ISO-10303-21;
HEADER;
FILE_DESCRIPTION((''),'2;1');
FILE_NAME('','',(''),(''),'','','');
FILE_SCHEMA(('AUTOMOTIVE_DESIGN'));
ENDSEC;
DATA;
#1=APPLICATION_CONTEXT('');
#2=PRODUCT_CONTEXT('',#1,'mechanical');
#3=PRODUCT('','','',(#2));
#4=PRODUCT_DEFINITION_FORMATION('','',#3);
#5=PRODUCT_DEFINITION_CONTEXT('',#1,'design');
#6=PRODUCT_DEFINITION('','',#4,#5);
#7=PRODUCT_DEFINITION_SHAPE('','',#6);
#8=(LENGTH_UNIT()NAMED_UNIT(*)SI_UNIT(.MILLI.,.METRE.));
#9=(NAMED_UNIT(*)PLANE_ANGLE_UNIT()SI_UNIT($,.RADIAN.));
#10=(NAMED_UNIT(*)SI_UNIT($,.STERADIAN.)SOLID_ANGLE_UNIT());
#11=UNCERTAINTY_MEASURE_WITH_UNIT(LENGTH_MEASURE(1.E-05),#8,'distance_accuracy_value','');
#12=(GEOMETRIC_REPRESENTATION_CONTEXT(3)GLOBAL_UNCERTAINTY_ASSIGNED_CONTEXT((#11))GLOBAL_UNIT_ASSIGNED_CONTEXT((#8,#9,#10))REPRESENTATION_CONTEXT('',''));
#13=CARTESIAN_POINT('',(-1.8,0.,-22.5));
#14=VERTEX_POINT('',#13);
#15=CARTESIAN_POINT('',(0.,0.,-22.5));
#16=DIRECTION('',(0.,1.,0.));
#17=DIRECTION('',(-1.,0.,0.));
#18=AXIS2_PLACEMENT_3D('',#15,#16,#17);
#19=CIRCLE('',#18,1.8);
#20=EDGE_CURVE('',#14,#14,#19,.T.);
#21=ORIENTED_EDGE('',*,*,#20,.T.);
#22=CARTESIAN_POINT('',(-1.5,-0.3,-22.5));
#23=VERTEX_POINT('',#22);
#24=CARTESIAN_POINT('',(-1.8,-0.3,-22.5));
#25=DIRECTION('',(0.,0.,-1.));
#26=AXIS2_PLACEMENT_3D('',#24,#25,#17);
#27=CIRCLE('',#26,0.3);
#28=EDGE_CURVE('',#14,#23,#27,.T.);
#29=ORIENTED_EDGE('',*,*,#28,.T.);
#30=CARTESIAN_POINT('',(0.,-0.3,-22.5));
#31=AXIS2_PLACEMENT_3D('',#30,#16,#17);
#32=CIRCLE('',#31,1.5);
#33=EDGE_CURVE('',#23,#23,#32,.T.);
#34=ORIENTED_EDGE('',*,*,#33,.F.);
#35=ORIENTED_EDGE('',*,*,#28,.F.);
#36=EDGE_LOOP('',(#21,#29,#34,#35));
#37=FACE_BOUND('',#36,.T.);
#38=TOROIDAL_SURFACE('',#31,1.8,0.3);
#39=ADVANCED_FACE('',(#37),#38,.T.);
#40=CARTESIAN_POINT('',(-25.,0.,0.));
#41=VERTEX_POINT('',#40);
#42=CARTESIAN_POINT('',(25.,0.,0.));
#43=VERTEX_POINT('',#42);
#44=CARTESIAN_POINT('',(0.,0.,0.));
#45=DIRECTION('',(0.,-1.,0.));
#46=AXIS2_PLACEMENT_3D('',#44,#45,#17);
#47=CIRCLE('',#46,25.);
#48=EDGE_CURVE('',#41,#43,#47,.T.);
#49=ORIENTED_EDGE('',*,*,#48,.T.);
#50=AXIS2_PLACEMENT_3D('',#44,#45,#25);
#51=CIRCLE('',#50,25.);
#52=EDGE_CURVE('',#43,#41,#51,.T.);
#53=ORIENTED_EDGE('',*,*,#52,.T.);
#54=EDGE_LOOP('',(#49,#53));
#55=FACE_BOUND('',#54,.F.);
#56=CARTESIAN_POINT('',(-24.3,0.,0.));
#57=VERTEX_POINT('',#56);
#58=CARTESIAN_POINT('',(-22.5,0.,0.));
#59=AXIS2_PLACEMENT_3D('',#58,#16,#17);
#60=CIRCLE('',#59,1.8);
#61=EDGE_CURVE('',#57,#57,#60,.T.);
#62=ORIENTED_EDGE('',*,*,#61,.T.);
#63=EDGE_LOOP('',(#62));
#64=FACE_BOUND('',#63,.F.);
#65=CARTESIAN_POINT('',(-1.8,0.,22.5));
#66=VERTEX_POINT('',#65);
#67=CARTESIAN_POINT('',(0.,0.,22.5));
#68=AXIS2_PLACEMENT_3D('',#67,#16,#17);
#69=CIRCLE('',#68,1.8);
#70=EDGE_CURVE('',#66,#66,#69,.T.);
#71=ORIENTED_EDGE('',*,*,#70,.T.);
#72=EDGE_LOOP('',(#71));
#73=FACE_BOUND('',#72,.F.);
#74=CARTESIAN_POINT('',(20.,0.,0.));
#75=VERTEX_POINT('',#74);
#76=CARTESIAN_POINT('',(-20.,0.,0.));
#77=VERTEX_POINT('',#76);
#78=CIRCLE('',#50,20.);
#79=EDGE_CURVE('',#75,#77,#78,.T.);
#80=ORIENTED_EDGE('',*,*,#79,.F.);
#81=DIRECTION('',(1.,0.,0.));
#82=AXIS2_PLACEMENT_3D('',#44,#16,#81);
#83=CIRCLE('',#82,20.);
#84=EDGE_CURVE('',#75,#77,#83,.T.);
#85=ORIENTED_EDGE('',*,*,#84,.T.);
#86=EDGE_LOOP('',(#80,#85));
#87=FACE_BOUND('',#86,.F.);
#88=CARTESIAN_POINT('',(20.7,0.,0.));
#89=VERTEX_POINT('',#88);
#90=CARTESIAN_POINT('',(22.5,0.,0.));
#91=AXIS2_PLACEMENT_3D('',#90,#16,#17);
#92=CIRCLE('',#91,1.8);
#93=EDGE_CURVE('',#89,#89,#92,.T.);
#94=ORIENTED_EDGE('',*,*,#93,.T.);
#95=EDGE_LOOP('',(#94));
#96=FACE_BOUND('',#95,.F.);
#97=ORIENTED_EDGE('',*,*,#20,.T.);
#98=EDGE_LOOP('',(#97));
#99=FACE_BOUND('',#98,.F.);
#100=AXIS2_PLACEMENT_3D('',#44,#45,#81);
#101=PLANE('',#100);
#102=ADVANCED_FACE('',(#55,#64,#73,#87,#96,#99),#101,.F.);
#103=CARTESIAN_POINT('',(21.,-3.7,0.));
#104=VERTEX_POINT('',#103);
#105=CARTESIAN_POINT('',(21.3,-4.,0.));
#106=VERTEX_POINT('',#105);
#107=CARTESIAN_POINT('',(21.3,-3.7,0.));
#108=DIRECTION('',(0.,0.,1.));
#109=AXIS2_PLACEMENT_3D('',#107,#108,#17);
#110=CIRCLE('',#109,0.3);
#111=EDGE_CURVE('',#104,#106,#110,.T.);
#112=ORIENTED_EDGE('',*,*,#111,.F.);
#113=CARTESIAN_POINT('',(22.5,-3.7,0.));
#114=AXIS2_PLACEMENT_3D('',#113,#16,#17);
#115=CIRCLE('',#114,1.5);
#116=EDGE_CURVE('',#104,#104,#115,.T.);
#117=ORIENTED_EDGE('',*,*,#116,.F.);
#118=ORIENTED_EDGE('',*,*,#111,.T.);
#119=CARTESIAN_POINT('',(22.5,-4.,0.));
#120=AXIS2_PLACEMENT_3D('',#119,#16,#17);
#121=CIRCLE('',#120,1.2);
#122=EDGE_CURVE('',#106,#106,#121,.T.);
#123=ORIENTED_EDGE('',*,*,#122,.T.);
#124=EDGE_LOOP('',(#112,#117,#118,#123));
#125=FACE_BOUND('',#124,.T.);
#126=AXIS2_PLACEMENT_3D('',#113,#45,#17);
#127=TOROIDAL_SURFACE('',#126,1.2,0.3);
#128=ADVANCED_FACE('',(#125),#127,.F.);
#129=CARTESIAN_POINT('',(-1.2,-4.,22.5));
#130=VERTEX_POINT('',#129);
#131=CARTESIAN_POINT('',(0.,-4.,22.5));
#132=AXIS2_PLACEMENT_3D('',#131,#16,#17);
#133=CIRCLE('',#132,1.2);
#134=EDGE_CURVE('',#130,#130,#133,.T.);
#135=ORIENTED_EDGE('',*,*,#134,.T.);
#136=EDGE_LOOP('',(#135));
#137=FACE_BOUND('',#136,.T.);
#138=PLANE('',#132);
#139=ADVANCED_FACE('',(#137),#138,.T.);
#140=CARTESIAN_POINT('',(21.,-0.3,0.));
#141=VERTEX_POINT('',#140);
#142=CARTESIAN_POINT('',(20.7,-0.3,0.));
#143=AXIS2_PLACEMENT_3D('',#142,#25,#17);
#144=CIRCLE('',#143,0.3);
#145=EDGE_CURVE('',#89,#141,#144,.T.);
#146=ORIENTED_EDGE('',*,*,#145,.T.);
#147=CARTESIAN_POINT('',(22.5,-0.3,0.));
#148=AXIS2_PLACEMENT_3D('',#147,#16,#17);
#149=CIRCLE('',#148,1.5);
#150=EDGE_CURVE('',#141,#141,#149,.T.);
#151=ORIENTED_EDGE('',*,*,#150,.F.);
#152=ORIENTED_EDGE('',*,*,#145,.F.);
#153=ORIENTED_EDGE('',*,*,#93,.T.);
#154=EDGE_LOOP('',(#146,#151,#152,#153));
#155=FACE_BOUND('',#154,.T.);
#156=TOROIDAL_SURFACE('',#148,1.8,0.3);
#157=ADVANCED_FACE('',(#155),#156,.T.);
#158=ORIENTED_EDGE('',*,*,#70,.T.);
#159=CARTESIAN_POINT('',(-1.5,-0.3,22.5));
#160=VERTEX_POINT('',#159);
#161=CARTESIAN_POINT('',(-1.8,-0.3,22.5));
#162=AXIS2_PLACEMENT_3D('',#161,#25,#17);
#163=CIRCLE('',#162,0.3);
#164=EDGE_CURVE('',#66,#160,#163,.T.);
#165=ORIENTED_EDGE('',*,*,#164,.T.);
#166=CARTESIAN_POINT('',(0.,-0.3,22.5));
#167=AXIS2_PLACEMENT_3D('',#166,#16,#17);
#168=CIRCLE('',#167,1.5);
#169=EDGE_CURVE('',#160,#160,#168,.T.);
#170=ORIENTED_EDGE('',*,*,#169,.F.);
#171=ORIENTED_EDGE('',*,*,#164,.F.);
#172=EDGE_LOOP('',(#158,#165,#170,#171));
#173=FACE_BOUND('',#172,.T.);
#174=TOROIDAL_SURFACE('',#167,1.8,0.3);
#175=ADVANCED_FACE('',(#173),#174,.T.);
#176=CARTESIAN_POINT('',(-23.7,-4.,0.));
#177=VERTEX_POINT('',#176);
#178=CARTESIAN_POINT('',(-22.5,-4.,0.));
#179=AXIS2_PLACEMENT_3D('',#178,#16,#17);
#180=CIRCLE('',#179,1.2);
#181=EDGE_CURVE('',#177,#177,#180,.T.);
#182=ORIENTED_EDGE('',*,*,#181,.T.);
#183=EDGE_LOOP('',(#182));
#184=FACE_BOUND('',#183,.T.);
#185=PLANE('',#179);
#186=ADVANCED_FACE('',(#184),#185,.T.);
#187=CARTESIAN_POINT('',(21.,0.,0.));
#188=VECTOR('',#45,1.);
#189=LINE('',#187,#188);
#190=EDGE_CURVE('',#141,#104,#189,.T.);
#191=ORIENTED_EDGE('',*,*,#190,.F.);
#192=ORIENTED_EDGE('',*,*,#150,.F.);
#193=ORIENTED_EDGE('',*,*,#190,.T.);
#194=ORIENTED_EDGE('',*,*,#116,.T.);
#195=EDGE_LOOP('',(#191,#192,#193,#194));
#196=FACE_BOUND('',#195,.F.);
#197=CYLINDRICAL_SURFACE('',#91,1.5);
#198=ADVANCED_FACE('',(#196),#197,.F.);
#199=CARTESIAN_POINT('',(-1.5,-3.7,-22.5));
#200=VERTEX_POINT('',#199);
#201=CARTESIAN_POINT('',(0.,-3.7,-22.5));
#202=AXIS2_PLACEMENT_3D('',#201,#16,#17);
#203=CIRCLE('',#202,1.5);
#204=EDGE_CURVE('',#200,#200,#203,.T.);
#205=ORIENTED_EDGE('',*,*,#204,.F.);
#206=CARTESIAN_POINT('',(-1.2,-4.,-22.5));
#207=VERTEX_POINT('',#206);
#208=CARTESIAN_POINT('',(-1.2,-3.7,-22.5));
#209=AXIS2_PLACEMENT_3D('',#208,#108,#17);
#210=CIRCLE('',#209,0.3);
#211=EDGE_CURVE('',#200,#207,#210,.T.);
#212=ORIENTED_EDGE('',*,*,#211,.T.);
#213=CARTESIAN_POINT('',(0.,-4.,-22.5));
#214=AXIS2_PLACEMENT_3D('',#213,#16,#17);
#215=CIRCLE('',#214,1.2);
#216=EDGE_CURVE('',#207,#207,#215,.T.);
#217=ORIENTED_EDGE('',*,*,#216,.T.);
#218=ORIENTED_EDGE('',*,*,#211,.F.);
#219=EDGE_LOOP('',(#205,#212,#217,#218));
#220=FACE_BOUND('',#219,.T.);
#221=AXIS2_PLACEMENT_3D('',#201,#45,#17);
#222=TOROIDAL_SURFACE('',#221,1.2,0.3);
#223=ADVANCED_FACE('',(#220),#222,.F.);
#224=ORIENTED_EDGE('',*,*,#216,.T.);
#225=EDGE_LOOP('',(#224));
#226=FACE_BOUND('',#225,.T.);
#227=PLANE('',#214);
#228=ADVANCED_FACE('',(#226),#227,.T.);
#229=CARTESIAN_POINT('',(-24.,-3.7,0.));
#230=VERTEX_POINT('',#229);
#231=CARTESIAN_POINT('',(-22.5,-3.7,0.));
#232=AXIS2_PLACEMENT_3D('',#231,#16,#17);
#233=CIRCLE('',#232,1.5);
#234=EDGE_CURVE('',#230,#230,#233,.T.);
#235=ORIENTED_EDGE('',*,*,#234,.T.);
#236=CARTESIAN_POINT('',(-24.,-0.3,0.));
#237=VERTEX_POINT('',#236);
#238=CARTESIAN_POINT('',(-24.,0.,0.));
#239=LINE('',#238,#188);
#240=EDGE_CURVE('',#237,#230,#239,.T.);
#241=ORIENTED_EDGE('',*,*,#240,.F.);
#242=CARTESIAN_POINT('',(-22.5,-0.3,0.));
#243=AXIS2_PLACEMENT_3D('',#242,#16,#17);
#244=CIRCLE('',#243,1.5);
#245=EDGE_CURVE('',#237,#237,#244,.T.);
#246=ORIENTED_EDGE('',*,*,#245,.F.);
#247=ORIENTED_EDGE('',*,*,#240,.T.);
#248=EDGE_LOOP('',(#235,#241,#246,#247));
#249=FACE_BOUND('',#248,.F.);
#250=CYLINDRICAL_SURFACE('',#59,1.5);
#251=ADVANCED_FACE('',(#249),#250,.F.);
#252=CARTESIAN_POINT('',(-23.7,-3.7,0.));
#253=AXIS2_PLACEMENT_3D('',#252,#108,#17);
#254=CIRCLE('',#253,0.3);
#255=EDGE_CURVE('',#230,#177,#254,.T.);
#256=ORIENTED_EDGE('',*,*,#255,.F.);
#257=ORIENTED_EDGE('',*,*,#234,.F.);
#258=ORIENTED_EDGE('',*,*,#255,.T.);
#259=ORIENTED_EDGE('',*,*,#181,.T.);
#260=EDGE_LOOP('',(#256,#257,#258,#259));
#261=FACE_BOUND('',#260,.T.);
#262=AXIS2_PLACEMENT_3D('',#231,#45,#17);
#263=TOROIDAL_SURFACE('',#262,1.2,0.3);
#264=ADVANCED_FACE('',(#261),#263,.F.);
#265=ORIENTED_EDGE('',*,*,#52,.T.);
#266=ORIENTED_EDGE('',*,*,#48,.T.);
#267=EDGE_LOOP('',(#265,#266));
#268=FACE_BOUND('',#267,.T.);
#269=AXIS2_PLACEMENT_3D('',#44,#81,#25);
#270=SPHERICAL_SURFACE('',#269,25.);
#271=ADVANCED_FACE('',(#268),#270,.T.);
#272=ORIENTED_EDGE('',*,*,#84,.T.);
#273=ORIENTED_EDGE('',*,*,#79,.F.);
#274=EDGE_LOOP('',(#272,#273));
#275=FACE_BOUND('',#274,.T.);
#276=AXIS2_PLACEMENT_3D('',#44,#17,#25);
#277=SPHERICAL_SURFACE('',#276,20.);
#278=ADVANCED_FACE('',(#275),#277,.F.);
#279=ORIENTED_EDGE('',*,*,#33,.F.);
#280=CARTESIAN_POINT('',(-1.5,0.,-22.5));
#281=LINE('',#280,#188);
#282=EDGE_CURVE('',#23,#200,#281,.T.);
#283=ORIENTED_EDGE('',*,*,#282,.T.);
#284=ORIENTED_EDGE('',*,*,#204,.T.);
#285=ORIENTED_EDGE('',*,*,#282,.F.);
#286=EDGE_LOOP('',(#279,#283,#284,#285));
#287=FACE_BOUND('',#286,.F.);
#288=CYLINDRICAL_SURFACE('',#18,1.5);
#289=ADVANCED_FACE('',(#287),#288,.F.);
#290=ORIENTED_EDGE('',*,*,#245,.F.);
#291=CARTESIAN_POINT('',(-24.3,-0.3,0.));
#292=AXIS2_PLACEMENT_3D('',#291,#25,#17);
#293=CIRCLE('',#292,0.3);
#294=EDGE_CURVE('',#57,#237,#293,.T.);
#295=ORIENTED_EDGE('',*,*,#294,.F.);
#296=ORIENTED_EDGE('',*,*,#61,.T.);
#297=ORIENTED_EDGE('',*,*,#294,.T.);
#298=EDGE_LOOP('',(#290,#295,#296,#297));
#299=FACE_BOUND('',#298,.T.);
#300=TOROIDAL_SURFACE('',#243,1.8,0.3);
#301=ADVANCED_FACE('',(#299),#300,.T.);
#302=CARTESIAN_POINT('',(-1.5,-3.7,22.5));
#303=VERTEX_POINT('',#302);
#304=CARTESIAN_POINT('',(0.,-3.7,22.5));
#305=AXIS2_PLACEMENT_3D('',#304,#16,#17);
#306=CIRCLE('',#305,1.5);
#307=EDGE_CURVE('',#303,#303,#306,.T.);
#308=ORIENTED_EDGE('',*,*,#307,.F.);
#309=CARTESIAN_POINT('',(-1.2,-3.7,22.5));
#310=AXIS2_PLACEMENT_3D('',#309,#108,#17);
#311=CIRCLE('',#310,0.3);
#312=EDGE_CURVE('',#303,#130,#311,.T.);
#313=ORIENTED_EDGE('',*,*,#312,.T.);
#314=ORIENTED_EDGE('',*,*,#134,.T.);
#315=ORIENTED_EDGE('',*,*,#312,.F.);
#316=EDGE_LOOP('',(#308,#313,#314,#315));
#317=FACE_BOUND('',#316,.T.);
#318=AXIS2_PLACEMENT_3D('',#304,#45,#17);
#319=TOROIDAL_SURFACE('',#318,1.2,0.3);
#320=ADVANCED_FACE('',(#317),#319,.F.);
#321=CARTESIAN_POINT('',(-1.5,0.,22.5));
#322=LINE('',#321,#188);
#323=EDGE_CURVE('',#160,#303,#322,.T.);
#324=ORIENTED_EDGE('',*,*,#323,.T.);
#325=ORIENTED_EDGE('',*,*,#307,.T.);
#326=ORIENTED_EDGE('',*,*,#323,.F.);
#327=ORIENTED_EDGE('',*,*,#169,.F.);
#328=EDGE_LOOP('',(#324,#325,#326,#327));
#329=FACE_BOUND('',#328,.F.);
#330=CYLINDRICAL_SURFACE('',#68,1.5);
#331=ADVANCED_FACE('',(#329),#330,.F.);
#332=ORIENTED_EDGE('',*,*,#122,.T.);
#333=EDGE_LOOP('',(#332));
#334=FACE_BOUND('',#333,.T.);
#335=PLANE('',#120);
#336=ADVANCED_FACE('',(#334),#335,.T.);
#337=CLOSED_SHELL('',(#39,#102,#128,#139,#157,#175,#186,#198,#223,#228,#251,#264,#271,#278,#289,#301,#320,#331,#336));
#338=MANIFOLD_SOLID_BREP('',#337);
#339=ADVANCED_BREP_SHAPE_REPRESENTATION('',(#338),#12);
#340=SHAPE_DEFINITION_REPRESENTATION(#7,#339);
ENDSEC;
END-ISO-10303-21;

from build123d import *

# Parameters (mm, degrees)
F4_W     = 60
F4_H     = 60
F5_DEPTH = 30
F6_R     = 1.5
F7_DEPTH = 4
F8_R     = 0.3
F9_R     = 0.3


with BuildPart() as f3:
    # F0 (on Front) → F3 (revolve)
    with BuildSketch(Plane.XZ):
        with BuildLine():
            Line((-20, 0), (-25, 0))
            ThreePointArc((-25, 0), (0, -25), (25, 0))
            Line((25, 0), (20, 0))
            ThreePointArc((20, 0), (0, -20), (-20, 0))
        make_face()
    revolve(axis=Axis((0.232987, 0, 0), (1, 0, 0)))

    # F4 (on Front) → F5 (cut)
    with BuildSketch(Plane.XZ):
        Rectangle(F4_W, F4_H)
    extrude(amount=-F5_DEPTH, mode=Mode.SUBTRACT)

    # F6 (on face) → F7 (cut)
    with BuildSketch(Plane(origin=(0, 0, 0), x_dir=(-1, 0, 0), z_dir=(0, 1, 0))):
        with Locations((-22.5, 0)):
            Circle(F6_R)
        with Locations((0, -22.5)):
            Circle(F6_R)
        with Locations((0, 22.5)):
            Circle(F6_R)
        with Locations((22.5, 0)):
            Circle(F6_R)
    extrude(amount=-F7_DEPTH, mode=Mode.SUBTRACT)

    # F8
    f8_edges = [f3.edges().sort_by_distance(p)[0] for p in [
        (-21, 0, 0),
        (1.5, 0, 22.5),
        (1.5, 0, -22.5),
        (24, 0, 0),
    ]]
    fillet(f8_edges, radius=F8_R)

    # F9
    f9_edges = [f3.edges().sort_by_distance(p)[0] for p in [
        (24, -4, 0),
        (-21, -4, 0),
        (1.5, -4, -22.5),
        (1.5, -4, 22.5),
    ]]
    fillet(f9_edges, radius=F9_R)


solid = f3.part
